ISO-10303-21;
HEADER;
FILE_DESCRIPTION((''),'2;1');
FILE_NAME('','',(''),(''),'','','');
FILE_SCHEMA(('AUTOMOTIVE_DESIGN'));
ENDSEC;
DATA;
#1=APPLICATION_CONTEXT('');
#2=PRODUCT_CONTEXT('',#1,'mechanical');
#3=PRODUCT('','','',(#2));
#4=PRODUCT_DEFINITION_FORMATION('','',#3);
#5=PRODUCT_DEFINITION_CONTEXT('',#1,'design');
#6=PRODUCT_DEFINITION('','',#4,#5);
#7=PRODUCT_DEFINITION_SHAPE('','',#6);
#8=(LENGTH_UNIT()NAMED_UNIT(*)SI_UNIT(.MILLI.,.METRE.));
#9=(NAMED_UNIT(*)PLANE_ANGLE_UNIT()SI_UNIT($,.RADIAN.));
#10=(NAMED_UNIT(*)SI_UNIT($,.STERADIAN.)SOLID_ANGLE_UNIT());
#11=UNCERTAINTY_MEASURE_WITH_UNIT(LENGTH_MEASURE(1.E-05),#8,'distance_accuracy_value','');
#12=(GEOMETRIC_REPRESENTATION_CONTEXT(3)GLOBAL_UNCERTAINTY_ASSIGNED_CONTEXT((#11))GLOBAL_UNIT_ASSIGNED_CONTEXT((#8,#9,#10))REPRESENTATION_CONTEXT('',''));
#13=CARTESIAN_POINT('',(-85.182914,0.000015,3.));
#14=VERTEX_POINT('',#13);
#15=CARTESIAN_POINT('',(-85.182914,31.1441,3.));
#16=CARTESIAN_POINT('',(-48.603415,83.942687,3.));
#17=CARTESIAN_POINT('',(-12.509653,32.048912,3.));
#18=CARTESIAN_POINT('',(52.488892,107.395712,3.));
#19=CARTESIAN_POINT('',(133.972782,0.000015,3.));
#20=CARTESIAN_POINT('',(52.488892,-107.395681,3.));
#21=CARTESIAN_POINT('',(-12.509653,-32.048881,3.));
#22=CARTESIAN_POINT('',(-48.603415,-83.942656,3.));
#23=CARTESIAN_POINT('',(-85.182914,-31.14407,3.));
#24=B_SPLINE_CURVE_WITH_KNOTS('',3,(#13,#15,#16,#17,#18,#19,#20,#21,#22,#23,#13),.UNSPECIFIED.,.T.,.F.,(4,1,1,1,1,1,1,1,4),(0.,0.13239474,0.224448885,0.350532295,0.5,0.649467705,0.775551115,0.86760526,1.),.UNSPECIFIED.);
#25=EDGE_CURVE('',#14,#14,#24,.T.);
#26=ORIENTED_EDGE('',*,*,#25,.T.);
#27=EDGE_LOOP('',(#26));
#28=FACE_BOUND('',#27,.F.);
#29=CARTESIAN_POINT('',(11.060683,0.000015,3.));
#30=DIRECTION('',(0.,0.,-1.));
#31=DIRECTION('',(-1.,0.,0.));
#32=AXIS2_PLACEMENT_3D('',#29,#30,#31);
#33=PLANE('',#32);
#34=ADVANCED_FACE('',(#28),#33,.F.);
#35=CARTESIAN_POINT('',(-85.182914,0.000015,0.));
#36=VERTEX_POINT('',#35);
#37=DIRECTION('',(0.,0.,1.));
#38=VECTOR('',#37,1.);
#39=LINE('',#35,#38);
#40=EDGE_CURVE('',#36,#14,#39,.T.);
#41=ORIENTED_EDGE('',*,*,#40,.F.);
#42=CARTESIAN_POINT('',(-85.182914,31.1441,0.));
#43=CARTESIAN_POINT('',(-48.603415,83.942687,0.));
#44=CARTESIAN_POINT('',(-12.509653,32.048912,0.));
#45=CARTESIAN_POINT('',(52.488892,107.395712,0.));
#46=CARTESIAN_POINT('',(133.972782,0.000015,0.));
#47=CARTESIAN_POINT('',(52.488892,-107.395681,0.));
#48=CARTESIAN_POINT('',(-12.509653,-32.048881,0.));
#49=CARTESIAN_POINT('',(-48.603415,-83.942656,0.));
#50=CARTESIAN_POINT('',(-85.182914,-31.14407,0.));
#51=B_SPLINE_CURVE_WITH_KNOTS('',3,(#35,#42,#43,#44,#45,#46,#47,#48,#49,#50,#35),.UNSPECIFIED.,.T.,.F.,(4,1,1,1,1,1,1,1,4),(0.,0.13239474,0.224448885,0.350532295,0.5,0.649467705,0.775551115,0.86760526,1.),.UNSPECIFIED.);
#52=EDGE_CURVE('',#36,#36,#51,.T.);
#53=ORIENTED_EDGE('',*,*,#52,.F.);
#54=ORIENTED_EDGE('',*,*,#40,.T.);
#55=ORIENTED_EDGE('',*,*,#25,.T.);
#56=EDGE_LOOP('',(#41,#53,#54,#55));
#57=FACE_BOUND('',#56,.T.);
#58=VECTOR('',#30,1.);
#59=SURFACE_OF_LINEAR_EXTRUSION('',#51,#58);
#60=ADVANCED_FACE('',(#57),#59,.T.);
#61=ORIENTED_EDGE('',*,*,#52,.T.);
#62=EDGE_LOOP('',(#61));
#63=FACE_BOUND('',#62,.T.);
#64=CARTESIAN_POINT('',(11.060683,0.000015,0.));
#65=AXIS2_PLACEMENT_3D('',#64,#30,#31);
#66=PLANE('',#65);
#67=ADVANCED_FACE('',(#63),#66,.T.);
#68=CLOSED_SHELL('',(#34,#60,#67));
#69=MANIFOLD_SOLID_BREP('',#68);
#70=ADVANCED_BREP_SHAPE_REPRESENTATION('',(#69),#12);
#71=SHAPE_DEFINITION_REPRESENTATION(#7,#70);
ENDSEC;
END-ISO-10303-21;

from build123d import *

# Parameters (mm, degrees)
F1_DEPTH = 3


with BuildPart() as f1:
    # F0 (on Top) → F1 (new body)
    with BuildSketch(Plane.XY):
        with BuildLine():
            add(Edge.make_bspline(
                [(-85.1829141453, 1.52171e-05), (-85.1829141453, 31.1441001283), (-48.6034145999, 83.9426866449), (-12.5096529249, 32.0489118969), (52.488891781, 107.39571158), (133.972781765, 1.52171e-05), (52.488891781, -107.3956811457), (-12.5096529249, -32.0488814627), (-48.6034145999, -83.9426562107), (-85.1829141453, -31.1440696941), (-85.1829141453, 1.52171e-05)],
                knots=[0, 0, 0, 0, 0.1323947401, 0.2244488852, 0.3505322945, 0.5, 0.6494677055, 0.7755511148, 0.8676052599, 1, 1, 1, 1], degree=3))
        make_face()
    extrude(amount=F1_DEPTH)


solid = f1.part
